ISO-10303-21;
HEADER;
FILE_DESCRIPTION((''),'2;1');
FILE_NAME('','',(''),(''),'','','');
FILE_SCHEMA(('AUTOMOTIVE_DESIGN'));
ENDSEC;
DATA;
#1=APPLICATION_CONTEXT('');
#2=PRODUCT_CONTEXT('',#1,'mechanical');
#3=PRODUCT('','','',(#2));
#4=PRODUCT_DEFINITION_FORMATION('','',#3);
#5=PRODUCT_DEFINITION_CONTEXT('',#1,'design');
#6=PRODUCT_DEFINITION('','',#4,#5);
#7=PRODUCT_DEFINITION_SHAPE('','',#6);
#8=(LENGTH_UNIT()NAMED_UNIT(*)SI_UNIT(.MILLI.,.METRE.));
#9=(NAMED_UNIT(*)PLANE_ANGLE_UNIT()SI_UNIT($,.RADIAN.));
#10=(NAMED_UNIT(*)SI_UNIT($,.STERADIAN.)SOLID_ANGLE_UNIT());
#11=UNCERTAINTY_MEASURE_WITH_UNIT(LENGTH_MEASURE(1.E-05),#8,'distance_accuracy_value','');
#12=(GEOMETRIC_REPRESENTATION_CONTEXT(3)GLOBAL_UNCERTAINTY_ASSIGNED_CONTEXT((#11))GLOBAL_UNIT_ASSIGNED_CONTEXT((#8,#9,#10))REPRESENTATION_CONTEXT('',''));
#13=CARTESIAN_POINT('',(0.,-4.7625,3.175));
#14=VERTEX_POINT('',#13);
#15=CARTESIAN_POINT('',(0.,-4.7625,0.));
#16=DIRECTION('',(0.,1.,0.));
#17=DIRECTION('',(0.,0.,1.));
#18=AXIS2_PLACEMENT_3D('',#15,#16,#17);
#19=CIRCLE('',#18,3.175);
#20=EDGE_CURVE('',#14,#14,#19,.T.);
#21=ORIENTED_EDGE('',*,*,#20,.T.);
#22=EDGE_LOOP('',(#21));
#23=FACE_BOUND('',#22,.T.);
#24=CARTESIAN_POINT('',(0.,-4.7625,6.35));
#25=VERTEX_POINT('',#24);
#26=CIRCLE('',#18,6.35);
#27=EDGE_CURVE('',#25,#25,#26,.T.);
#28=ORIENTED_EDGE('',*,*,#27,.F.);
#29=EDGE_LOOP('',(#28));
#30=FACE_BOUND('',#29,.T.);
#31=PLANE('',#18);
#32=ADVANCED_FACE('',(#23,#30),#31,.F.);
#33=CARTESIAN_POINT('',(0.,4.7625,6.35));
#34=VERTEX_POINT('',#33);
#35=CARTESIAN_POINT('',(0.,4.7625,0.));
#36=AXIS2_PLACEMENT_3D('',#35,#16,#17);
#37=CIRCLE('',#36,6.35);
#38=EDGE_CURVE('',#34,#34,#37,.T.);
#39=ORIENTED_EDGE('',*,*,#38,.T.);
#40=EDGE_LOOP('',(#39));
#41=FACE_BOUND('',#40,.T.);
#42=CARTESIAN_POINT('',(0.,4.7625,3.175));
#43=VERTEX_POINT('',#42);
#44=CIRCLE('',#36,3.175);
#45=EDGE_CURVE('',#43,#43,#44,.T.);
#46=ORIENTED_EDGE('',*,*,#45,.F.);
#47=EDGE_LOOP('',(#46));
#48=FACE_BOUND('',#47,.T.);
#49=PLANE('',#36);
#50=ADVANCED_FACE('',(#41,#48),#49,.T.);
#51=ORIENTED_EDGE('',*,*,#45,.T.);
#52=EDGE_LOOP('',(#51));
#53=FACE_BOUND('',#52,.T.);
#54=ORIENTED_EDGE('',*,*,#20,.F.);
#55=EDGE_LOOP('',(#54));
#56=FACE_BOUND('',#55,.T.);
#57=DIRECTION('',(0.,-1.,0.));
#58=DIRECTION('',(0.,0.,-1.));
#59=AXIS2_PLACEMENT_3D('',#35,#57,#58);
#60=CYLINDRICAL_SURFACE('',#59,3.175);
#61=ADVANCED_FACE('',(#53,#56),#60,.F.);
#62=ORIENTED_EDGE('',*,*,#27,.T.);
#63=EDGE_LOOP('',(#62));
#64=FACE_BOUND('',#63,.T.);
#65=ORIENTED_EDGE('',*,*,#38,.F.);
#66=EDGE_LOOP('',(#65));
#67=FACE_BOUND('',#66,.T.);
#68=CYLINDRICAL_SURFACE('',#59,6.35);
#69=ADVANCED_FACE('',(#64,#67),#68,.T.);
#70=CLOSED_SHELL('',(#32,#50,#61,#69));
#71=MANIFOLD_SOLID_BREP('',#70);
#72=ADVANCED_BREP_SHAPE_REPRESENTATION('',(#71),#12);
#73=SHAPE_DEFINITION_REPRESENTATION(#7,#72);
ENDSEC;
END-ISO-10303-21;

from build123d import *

# Parameters (mm, degrees)
SKETCH1_R           = 6.35
SKETCH1_R_2         = 3.175
BOSS_EXTRUDE1_DEPTH = 4.7625


with BuildPart() as part:
    # Sketch1 → Boss-Extrude1 (new, symmetric)
    with BuildSketch(Plane(origin=(0, 0, 0), x_dir=(1, 0, 0), z_dir=(0, 1, 0))):
        Circle(SKETCH1_R)
        Circle(SKETCH1_R_2, mode=Mode.SUBTRACT)
    extrude(amount=BOSS_EXTRUDE1_DEPTH, both=True)


solid = part.part
